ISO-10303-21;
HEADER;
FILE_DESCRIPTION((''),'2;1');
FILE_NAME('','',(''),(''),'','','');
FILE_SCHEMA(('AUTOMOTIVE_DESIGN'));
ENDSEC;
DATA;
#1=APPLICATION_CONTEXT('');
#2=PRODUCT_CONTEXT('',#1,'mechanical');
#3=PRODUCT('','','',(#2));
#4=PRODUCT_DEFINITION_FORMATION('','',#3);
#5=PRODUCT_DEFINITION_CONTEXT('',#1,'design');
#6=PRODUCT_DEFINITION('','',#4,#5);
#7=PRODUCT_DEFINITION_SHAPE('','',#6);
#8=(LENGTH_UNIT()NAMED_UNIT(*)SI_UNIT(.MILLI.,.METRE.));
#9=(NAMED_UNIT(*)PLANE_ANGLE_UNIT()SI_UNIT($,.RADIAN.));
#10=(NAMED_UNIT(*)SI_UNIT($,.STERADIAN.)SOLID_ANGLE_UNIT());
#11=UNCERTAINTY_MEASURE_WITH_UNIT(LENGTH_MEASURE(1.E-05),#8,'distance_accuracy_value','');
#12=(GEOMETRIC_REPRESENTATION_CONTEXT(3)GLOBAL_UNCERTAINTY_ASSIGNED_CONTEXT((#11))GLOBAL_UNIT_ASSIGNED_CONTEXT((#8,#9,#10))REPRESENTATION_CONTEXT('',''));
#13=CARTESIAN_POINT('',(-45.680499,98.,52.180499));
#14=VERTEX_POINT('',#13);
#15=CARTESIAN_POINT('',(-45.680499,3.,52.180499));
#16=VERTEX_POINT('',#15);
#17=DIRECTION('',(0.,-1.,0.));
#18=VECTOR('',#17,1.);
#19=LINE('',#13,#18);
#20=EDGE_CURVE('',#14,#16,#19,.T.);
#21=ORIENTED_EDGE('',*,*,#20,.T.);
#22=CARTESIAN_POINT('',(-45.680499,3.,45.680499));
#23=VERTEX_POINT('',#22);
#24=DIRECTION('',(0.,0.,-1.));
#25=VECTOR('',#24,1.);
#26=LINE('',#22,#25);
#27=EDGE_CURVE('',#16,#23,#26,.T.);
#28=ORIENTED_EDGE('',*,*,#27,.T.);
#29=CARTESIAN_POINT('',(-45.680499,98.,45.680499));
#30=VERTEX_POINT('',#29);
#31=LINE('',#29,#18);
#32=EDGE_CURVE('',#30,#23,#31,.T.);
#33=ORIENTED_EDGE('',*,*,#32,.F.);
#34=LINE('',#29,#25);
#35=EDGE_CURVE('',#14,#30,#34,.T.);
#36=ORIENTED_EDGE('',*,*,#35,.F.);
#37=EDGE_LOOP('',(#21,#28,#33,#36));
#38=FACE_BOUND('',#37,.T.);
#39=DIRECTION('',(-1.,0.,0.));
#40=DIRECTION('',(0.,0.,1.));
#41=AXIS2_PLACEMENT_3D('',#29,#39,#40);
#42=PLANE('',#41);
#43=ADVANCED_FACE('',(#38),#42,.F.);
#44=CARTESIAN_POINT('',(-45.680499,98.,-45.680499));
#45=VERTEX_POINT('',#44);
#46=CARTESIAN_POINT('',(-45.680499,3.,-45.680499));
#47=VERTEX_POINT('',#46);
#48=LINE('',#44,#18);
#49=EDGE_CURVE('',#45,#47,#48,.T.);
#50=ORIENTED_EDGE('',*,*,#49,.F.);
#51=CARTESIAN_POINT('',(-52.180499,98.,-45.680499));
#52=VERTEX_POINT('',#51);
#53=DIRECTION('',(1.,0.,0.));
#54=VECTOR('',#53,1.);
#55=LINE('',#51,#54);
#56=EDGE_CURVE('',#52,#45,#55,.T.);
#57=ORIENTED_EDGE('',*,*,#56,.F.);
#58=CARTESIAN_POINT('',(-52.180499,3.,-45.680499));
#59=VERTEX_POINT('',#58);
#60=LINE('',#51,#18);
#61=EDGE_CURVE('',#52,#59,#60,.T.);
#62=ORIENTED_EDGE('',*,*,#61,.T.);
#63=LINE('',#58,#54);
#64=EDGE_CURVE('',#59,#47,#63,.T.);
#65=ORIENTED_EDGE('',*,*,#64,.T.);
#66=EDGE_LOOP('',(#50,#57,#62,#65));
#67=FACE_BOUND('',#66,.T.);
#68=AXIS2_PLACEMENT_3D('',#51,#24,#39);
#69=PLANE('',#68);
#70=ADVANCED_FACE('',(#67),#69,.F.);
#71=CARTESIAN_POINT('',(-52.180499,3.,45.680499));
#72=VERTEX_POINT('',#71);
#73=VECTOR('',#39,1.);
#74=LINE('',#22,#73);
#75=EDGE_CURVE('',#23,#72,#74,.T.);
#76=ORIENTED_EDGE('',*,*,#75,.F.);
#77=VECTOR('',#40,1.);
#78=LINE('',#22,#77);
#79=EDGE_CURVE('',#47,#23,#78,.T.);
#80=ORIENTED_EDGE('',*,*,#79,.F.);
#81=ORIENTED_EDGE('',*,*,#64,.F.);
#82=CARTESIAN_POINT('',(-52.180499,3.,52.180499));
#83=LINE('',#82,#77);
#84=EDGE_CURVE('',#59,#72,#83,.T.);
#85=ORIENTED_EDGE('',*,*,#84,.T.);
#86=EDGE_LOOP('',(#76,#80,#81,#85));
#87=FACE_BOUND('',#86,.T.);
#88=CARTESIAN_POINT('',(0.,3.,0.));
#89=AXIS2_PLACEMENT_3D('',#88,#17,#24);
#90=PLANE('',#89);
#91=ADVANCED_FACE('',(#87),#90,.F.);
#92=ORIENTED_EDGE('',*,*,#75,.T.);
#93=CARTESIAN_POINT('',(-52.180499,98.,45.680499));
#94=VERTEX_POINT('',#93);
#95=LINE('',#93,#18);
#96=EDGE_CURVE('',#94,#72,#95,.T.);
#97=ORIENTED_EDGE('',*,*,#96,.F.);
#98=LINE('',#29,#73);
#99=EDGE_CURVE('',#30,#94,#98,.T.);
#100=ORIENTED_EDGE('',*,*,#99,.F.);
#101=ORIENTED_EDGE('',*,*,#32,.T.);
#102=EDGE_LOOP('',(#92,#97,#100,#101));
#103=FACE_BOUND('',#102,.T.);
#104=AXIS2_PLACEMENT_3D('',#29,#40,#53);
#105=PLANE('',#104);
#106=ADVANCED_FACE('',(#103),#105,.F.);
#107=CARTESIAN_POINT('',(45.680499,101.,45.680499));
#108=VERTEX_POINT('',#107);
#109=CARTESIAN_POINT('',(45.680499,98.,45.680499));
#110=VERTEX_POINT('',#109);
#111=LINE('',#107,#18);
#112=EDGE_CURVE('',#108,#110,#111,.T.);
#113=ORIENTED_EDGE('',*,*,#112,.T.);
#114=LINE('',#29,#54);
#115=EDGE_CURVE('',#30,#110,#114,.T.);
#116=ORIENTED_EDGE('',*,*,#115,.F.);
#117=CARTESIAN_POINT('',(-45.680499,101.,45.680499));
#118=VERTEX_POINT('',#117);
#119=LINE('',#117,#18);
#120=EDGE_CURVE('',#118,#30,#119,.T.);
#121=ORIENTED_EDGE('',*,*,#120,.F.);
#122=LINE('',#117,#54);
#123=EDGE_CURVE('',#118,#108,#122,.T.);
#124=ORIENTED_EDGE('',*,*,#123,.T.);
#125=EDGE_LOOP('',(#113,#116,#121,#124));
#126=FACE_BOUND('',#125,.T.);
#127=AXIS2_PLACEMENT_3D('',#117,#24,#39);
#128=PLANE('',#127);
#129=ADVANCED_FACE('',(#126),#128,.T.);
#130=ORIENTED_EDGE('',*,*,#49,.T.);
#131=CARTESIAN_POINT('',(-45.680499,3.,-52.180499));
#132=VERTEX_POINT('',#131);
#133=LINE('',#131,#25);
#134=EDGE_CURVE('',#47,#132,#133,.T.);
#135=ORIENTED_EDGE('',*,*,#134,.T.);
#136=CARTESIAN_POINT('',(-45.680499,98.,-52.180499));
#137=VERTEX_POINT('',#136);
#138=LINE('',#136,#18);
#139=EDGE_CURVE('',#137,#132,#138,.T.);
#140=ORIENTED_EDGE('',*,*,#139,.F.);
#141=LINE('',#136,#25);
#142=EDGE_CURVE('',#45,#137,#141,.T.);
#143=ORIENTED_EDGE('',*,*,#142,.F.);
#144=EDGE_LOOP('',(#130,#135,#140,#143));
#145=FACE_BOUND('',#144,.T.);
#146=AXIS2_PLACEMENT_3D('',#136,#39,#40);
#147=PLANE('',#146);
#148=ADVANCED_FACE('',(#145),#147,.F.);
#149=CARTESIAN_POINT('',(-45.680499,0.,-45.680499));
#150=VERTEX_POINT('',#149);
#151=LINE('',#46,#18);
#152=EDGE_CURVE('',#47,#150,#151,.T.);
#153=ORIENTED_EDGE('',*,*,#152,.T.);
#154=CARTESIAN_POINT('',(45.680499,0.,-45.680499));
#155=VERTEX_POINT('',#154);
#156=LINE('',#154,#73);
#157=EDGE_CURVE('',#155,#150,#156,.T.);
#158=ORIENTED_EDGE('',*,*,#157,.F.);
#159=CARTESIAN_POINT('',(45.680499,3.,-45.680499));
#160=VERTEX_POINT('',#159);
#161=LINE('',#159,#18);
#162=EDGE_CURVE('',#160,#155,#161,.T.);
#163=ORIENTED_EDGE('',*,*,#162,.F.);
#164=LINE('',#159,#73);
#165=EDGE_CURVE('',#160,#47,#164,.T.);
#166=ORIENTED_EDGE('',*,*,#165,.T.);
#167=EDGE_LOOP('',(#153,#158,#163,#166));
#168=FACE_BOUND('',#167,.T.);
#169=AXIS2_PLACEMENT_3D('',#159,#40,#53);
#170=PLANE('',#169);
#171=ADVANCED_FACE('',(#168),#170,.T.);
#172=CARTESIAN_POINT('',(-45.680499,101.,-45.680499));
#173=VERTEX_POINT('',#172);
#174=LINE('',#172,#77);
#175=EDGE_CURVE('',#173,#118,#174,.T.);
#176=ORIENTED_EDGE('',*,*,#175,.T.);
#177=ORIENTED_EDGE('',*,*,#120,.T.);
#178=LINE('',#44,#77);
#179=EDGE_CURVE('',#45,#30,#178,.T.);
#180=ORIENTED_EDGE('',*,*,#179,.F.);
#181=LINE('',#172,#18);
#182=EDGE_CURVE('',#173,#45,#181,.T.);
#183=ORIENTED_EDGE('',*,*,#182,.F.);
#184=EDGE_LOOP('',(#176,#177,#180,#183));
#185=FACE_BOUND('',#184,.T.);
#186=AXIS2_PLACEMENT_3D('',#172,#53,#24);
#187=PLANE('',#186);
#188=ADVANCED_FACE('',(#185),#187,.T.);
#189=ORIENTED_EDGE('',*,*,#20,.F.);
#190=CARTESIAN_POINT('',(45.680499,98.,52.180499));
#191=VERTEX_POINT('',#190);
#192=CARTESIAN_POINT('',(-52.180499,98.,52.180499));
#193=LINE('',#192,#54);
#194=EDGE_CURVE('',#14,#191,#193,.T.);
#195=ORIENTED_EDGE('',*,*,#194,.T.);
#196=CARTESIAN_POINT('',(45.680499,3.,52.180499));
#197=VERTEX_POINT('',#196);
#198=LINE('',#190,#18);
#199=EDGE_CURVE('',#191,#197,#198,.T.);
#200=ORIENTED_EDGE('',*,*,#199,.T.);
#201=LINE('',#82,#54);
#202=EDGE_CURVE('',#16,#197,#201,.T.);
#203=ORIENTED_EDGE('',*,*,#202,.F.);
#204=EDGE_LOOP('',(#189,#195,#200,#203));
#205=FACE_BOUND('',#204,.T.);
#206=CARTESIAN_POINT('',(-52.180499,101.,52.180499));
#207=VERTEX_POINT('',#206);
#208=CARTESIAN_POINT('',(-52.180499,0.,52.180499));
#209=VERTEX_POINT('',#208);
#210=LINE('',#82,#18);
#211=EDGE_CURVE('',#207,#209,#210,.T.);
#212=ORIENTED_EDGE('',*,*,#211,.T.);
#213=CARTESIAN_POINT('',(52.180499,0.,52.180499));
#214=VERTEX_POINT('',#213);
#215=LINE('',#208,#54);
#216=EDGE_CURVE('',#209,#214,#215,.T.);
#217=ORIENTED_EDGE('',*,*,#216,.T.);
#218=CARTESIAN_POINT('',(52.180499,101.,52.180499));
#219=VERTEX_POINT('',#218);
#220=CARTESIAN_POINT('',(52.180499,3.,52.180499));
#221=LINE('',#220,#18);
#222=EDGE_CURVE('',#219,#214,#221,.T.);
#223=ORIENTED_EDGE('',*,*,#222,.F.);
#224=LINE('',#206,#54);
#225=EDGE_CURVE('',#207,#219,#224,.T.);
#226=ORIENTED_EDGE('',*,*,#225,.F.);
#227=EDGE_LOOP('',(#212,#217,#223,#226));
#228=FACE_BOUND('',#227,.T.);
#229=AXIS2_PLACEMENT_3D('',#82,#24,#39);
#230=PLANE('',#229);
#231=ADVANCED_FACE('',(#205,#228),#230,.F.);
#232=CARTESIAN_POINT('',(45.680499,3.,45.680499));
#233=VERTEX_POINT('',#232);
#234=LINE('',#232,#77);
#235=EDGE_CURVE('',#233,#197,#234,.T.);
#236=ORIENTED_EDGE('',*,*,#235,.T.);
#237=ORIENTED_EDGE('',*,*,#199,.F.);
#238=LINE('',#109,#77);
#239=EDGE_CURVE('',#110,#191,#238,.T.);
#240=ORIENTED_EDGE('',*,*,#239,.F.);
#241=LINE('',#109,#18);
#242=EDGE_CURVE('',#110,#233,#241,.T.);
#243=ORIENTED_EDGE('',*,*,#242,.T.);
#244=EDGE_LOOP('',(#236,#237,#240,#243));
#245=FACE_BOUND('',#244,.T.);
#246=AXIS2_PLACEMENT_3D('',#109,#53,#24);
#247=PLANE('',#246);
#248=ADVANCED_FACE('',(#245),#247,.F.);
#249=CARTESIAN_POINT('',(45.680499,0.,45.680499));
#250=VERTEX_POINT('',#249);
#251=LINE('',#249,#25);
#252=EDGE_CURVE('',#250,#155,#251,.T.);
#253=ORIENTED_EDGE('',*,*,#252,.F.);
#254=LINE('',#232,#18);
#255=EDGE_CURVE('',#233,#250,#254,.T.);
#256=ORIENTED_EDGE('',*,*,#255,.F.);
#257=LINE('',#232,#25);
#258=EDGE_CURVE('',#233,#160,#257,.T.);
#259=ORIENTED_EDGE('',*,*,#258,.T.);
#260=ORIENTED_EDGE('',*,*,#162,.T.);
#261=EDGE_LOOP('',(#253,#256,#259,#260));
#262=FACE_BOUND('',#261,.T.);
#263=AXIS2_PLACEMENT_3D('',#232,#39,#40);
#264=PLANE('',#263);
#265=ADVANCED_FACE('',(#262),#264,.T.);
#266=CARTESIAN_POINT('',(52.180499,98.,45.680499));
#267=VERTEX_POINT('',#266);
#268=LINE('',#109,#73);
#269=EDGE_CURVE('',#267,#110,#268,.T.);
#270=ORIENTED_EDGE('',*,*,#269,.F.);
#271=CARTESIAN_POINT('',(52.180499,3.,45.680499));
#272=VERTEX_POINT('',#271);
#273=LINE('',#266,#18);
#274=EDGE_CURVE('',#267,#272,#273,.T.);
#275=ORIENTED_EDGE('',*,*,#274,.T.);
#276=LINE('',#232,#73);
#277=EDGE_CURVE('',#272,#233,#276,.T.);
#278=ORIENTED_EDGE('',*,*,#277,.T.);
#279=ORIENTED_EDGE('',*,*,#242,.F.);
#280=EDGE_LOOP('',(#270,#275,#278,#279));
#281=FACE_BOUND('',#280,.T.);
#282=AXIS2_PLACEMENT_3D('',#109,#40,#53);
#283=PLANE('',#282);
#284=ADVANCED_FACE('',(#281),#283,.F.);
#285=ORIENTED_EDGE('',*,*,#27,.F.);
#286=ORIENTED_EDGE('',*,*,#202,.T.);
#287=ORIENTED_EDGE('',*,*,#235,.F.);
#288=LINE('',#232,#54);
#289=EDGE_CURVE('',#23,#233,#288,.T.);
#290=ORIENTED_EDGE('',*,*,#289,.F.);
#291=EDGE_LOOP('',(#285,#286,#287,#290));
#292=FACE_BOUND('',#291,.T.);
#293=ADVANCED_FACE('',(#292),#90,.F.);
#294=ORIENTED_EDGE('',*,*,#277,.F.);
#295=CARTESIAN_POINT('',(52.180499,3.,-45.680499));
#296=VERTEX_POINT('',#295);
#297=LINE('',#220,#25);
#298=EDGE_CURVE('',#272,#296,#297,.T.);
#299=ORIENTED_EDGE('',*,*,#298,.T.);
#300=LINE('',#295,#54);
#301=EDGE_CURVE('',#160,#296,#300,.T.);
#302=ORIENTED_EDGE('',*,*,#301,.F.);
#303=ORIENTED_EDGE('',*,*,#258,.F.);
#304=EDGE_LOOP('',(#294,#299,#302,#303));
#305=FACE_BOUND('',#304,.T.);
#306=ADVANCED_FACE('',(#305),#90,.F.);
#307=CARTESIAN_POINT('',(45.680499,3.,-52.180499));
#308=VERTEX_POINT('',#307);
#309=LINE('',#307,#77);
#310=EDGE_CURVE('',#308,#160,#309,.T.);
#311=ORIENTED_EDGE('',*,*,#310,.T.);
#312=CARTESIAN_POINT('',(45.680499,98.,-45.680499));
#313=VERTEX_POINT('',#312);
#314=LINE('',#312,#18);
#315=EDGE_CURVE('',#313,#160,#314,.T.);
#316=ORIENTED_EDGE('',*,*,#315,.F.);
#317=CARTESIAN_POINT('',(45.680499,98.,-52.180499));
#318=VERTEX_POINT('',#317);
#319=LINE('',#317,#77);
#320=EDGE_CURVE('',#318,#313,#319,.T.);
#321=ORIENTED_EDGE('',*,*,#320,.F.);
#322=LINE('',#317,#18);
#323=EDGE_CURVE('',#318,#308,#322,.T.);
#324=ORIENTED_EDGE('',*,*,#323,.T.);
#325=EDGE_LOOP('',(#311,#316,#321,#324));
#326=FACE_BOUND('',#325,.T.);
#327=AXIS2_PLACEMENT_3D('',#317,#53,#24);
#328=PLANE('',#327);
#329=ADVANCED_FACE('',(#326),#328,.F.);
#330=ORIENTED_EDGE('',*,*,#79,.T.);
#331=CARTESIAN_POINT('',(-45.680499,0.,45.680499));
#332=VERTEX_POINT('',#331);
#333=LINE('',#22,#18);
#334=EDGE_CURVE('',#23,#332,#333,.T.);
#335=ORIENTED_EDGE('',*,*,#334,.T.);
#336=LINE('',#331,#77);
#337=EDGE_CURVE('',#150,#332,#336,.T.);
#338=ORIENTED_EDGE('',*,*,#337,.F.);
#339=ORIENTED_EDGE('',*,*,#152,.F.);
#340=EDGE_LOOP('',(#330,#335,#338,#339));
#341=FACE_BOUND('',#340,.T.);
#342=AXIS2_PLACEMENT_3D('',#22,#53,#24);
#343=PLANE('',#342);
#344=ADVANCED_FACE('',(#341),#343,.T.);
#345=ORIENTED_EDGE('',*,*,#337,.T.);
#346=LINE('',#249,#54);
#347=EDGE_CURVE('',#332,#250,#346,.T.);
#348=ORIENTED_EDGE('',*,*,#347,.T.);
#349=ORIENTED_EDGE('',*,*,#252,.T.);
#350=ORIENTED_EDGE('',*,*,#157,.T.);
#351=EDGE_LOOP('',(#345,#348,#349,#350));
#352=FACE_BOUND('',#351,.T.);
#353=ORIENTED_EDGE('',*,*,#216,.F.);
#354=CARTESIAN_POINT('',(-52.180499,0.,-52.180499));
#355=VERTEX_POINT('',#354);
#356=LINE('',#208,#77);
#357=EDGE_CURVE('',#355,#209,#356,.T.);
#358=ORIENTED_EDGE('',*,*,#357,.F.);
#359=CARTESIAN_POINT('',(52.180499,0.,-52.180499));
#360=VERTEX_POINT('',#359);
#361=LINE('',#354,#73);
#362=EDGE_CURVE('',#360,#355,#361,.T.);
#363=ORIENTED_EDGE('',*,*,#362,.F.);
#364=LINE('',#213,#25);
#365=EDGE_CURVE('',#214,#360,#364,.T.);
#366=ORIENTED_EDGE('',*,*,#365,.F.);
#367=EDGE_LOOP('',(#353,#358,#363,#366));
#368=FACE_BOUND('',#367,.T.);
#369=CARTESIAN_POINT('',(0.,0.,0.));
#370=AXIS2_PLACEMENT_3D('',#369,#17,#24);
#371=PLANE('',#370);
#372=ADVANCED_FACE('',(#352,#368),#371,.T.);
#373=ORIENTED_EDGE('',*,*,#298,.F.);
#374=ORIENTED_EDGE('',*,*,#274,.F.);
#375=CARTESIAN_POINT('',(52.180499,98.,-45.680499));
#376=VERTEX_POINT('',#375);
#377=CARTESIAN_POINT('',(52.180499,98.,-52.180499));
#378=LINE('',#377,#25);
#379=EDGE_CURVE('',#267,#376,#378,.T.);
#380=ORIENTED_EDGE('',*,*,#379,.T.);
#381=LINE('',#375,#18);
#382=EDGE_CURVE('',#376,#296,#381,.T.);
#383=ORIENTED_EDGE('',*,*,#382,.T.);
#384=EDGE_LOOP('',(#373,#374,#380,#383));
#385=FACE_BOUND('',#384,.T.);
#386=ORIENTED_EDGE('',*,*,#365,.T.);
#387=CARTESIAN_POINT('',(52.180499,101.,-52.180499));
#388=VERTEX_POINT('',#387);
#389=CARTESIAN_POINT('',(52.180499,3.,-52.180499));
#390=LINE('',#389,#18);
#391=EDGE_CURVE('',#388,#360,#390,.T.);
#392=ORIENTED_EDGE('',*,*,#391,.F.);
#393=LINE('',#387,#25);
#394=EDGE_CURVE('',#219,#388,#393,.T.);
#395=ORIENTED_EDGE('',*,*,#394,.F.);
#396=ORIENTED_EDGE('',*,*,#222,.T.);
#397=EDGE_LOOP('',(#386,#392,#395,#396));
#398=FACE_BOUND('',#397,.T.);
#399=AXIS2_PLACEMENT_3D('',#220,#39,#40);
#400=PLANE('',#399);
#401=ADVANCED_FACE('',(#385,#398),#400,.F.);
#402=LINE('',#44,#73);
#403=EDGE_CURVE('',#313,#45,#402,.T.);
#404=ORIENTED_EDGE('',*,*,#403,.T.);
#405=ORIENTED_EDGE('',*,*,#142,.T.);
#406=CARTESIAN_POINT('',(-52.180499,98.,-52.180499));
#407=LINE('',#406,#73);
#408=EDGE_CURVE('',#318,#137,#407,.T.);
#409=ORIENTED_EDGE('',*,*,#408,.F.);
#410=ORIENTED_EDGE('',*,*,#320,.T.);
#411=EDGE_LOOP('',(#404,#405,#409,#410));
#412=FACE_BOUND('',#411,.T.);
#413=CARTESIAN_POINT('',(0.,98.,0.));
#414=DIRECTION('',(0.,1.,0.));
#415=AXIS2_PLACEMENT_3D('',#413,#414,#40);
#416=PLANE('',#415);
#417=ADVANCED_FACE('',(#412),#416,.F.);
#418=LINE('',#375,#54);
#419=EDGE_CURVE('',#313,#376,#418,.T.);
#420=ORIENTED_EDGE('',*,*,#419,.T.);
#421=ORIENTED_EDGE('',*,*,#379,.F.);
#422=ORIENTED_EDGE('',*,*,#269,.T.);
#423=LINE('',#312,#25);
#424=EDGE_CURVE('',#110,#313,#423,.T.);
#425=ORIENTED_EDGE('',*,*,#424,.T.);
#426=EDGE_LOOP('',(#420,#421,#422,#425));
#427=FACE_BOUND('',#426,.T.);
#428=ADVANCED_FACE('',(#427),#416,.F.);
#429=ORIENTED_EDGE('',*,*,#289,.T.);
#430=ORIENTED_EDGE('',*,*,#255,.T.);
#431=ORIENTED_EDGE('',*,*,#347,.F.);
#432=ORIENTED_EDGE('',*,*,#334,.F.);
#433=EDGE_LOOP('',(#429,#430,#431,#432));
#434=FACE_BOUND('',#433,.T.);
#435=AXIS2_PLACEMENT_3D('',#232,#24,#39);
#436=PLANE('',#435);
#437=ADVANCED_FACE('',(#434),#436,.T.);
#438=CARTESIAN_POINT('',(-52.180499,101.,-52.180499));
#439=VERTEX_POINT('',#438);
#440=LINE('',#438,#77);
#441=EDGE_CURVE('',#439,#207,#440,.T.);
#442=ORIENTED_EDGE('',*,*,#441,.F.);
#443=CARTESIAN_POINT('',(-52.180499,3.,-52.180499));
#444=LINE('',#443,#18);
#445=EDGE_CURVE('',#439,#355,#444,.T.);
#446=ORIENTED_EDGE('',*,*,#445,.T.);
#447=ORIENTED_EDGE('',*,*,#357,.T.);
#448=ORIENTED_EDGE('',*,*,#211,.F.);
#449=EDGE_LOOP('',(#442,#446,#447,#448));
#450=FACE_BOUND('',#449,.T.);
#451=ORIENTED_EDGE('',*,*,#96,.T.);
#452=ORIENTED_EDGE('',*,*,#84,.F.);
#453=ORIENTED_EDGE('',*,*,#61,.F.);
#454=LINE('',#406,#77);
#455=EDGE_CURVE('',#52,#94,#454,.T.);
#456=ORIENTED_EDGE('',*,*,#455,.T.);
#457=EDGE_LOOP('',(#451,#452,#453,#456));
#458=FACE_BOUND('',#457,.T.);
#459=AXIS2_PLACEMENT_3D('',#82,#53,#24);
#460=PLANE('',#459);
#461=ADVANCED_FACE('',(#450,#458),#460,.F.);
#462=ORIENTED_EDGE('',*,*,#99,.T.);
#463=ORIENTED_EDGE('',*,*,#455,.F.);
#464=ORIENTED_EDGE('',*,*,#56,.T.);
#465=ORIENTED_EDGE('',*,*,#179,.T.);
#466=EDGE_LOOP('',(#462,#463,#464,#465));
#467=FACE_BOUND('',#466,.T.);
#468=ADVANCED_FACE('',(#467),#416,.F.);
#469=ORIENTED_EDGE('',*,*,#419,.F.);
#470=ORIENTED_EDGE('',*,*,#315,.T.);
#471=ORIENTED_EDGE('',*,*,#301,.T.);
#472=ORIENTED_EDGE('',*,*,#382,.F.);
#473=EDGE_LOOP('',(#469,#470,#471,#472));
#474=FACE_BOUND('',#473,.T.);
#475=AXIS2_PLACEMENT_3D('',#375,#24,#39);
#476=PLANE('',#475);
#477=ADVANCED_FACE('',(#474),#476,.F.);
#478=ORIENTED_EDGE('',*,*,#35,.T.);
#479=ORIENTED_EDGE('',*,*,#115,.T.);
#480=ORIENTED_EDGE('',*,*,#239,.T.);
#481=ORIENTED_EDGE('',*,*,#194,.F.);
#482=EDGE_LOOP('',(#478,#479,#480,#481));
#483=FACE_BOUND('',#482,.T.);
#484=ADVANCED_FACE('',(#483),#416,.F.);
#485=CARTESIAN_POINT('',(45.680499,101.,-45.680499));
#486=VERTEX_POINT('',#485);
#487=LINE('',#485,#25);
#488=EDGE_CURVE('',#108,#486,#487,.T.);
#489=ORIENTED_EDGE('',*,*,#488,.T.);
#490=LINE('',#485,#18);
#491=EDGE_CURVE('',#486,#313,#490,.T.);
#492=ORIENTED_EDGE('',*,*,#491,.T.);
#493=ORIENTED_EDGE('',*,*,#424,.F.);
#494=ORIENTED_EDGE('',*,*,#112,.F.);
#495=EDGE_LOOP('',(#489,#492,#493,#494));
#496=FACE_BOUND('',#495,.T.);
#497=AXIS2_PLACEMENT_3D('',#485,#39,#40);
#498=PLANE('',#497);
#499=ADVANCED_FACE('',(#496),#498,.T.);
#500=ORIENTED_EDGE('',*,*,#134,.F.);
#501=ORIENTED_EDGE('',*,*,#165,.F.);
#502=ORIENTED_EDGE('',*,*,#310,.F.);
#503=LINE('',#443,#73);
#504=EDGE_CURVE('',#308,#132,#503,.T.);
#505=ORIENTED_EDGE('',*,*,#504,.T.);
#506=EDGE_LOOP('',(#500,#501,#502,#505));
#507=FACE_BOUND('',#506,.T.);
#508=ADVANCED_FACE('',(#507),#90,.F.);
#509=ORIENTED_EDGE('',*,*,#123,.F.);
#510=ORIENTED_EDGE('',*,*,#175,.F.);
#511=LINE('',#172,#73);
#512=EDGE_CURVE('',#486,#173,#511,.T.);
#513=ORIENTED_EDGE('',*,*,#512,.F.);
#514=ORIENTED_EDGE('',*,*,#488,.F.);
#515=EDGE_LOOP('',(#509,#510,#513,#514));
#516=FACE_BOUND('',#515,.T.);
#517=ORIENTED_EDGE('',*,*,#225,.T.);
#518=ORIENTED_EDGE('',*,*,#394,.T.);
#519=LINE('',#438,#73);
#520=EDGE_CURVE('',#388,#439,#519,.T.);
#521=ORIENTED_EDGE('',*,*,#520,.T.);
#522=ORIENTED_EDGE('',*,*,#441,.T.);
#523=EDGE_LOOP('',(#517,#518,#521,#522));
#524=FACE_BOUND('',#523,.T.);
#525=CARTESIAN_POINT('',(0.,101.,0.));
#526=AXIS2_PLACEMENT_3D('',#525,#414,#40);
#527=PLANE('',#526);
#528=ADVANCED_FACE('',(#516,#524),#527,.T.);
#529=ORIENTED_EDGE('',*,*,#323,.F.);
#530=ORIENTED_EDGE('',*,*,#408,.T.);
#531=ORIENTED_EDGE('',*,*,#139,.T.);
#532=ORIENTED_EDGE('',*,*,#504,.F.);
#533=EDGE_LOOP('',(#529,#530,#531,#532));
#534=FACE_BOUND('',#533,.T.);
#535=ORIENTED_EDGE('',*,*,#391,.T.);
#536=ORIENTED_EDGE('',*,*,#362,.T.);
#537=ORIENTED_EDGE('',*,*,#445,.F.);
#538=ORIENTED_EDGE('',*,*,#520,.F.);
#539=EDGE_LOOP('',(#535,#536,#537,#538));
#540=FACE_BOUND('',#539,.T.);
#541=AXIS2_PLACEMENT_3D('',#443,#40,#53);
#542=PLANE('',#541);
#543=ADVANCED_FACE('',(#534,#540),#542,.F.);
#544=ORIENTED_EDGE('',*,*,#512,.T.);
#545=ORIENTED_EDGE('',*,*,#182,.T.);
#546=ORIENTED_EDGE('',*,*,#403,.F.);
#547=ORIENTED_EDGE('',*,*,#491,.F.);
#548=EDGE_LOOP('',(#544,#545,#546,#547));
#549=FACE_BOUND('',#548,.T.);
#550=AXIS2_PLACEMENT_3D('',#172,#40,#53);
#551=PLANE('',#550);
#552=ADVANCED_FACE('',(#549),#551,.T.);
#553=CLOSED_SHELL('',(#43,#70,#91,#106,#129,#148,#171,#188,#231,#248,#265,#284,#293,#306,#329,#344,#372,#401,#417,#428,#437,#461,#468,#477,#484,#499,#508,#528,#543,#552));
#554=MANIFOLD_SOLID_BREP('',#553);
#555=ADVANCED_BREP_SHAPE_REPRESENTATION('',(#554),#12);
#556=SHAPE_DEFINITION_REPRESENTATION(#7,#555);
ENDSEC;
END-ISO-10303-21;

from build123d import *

# Parameters (mm, degrees)
SKETCH1_W           = 104.360997228
SKETCH1_H           = 104.360997228
SKETCH1_W_2         = 91.360997228
SKETCH1_H_2         = 91.360997228
BOSS_EXTRUDE1_DEPTH = 3
SKETCH2_W           = 6.5
SKETCH2_H           = 6.5
BOSS_EXTRUDE2_DEPTH = 95
SKETCH3_W           = 104.360997228
SKETCH3_H           = 104.360997228
SKETCH3_W_2         = 91.360997228
SKETCH3_H_2         = 91.360997228
BOSS_EXTRUDE3_DEPTH = 3


with BuildPart() as part:
    # Sketch1 → Boss-Extrude1 (new body)
    with BuildSketch(Plane(origin=(0, 0, 0), x_dir=(1, 0, 0), z_dir=(0, 1, 0))):
        Rectangle(SKETCH1_W, SKETCH1_H)
        Rectangle(SKETCH1_W_2, SKETCH1_H_2, mode=Mode.SUBTRACT)
    extrude(amount=BOSS_EXTRUDE1_DEPTH)

    # Sketch2 → Boss-Extrude2 (add)
    with BuildSketch(Plane(origin=(0, 3, 0), x_dir=(1, 0, 0), z_dir=(0, 1, 0))):
        with Locations((-48.930498614, 48.930498614)):
            Rectangle(SKETCH2_W, SKETCH2_H)
        with Locations((48.930498614, 48.930498614)):
            Rectangle(SKETCH2_W, SKETCH2_H)
        with Locations((-48.930498614, -48.930498614)):
            Rectangle(SKETCH2_W, SKETCH2_H)
        with Locations((48.930498614, -48.930498614)):
            Rectangle(SKETCH2_W, SKETCH2_H)
    extrude(amount=BOSS_EXTRUDE2_DEPTH)

    # Sketch3 → Boss-Extrude3 (add)
    with BuildSketch(Plane(origin=(0, 98, 0), x_dir=(1, 0, 0), z_dir=(0, 1, 0))):
        Rectangle(SKETCH3_W, SKETCH3_H)
        Rectangle(SKETCH3_W_2, SKETCH3_H_2, mode=Mode.SUBTRACT)
    extrude(amount=BOSS_EXTRUDE3_DEPTH)


solid = part.part
